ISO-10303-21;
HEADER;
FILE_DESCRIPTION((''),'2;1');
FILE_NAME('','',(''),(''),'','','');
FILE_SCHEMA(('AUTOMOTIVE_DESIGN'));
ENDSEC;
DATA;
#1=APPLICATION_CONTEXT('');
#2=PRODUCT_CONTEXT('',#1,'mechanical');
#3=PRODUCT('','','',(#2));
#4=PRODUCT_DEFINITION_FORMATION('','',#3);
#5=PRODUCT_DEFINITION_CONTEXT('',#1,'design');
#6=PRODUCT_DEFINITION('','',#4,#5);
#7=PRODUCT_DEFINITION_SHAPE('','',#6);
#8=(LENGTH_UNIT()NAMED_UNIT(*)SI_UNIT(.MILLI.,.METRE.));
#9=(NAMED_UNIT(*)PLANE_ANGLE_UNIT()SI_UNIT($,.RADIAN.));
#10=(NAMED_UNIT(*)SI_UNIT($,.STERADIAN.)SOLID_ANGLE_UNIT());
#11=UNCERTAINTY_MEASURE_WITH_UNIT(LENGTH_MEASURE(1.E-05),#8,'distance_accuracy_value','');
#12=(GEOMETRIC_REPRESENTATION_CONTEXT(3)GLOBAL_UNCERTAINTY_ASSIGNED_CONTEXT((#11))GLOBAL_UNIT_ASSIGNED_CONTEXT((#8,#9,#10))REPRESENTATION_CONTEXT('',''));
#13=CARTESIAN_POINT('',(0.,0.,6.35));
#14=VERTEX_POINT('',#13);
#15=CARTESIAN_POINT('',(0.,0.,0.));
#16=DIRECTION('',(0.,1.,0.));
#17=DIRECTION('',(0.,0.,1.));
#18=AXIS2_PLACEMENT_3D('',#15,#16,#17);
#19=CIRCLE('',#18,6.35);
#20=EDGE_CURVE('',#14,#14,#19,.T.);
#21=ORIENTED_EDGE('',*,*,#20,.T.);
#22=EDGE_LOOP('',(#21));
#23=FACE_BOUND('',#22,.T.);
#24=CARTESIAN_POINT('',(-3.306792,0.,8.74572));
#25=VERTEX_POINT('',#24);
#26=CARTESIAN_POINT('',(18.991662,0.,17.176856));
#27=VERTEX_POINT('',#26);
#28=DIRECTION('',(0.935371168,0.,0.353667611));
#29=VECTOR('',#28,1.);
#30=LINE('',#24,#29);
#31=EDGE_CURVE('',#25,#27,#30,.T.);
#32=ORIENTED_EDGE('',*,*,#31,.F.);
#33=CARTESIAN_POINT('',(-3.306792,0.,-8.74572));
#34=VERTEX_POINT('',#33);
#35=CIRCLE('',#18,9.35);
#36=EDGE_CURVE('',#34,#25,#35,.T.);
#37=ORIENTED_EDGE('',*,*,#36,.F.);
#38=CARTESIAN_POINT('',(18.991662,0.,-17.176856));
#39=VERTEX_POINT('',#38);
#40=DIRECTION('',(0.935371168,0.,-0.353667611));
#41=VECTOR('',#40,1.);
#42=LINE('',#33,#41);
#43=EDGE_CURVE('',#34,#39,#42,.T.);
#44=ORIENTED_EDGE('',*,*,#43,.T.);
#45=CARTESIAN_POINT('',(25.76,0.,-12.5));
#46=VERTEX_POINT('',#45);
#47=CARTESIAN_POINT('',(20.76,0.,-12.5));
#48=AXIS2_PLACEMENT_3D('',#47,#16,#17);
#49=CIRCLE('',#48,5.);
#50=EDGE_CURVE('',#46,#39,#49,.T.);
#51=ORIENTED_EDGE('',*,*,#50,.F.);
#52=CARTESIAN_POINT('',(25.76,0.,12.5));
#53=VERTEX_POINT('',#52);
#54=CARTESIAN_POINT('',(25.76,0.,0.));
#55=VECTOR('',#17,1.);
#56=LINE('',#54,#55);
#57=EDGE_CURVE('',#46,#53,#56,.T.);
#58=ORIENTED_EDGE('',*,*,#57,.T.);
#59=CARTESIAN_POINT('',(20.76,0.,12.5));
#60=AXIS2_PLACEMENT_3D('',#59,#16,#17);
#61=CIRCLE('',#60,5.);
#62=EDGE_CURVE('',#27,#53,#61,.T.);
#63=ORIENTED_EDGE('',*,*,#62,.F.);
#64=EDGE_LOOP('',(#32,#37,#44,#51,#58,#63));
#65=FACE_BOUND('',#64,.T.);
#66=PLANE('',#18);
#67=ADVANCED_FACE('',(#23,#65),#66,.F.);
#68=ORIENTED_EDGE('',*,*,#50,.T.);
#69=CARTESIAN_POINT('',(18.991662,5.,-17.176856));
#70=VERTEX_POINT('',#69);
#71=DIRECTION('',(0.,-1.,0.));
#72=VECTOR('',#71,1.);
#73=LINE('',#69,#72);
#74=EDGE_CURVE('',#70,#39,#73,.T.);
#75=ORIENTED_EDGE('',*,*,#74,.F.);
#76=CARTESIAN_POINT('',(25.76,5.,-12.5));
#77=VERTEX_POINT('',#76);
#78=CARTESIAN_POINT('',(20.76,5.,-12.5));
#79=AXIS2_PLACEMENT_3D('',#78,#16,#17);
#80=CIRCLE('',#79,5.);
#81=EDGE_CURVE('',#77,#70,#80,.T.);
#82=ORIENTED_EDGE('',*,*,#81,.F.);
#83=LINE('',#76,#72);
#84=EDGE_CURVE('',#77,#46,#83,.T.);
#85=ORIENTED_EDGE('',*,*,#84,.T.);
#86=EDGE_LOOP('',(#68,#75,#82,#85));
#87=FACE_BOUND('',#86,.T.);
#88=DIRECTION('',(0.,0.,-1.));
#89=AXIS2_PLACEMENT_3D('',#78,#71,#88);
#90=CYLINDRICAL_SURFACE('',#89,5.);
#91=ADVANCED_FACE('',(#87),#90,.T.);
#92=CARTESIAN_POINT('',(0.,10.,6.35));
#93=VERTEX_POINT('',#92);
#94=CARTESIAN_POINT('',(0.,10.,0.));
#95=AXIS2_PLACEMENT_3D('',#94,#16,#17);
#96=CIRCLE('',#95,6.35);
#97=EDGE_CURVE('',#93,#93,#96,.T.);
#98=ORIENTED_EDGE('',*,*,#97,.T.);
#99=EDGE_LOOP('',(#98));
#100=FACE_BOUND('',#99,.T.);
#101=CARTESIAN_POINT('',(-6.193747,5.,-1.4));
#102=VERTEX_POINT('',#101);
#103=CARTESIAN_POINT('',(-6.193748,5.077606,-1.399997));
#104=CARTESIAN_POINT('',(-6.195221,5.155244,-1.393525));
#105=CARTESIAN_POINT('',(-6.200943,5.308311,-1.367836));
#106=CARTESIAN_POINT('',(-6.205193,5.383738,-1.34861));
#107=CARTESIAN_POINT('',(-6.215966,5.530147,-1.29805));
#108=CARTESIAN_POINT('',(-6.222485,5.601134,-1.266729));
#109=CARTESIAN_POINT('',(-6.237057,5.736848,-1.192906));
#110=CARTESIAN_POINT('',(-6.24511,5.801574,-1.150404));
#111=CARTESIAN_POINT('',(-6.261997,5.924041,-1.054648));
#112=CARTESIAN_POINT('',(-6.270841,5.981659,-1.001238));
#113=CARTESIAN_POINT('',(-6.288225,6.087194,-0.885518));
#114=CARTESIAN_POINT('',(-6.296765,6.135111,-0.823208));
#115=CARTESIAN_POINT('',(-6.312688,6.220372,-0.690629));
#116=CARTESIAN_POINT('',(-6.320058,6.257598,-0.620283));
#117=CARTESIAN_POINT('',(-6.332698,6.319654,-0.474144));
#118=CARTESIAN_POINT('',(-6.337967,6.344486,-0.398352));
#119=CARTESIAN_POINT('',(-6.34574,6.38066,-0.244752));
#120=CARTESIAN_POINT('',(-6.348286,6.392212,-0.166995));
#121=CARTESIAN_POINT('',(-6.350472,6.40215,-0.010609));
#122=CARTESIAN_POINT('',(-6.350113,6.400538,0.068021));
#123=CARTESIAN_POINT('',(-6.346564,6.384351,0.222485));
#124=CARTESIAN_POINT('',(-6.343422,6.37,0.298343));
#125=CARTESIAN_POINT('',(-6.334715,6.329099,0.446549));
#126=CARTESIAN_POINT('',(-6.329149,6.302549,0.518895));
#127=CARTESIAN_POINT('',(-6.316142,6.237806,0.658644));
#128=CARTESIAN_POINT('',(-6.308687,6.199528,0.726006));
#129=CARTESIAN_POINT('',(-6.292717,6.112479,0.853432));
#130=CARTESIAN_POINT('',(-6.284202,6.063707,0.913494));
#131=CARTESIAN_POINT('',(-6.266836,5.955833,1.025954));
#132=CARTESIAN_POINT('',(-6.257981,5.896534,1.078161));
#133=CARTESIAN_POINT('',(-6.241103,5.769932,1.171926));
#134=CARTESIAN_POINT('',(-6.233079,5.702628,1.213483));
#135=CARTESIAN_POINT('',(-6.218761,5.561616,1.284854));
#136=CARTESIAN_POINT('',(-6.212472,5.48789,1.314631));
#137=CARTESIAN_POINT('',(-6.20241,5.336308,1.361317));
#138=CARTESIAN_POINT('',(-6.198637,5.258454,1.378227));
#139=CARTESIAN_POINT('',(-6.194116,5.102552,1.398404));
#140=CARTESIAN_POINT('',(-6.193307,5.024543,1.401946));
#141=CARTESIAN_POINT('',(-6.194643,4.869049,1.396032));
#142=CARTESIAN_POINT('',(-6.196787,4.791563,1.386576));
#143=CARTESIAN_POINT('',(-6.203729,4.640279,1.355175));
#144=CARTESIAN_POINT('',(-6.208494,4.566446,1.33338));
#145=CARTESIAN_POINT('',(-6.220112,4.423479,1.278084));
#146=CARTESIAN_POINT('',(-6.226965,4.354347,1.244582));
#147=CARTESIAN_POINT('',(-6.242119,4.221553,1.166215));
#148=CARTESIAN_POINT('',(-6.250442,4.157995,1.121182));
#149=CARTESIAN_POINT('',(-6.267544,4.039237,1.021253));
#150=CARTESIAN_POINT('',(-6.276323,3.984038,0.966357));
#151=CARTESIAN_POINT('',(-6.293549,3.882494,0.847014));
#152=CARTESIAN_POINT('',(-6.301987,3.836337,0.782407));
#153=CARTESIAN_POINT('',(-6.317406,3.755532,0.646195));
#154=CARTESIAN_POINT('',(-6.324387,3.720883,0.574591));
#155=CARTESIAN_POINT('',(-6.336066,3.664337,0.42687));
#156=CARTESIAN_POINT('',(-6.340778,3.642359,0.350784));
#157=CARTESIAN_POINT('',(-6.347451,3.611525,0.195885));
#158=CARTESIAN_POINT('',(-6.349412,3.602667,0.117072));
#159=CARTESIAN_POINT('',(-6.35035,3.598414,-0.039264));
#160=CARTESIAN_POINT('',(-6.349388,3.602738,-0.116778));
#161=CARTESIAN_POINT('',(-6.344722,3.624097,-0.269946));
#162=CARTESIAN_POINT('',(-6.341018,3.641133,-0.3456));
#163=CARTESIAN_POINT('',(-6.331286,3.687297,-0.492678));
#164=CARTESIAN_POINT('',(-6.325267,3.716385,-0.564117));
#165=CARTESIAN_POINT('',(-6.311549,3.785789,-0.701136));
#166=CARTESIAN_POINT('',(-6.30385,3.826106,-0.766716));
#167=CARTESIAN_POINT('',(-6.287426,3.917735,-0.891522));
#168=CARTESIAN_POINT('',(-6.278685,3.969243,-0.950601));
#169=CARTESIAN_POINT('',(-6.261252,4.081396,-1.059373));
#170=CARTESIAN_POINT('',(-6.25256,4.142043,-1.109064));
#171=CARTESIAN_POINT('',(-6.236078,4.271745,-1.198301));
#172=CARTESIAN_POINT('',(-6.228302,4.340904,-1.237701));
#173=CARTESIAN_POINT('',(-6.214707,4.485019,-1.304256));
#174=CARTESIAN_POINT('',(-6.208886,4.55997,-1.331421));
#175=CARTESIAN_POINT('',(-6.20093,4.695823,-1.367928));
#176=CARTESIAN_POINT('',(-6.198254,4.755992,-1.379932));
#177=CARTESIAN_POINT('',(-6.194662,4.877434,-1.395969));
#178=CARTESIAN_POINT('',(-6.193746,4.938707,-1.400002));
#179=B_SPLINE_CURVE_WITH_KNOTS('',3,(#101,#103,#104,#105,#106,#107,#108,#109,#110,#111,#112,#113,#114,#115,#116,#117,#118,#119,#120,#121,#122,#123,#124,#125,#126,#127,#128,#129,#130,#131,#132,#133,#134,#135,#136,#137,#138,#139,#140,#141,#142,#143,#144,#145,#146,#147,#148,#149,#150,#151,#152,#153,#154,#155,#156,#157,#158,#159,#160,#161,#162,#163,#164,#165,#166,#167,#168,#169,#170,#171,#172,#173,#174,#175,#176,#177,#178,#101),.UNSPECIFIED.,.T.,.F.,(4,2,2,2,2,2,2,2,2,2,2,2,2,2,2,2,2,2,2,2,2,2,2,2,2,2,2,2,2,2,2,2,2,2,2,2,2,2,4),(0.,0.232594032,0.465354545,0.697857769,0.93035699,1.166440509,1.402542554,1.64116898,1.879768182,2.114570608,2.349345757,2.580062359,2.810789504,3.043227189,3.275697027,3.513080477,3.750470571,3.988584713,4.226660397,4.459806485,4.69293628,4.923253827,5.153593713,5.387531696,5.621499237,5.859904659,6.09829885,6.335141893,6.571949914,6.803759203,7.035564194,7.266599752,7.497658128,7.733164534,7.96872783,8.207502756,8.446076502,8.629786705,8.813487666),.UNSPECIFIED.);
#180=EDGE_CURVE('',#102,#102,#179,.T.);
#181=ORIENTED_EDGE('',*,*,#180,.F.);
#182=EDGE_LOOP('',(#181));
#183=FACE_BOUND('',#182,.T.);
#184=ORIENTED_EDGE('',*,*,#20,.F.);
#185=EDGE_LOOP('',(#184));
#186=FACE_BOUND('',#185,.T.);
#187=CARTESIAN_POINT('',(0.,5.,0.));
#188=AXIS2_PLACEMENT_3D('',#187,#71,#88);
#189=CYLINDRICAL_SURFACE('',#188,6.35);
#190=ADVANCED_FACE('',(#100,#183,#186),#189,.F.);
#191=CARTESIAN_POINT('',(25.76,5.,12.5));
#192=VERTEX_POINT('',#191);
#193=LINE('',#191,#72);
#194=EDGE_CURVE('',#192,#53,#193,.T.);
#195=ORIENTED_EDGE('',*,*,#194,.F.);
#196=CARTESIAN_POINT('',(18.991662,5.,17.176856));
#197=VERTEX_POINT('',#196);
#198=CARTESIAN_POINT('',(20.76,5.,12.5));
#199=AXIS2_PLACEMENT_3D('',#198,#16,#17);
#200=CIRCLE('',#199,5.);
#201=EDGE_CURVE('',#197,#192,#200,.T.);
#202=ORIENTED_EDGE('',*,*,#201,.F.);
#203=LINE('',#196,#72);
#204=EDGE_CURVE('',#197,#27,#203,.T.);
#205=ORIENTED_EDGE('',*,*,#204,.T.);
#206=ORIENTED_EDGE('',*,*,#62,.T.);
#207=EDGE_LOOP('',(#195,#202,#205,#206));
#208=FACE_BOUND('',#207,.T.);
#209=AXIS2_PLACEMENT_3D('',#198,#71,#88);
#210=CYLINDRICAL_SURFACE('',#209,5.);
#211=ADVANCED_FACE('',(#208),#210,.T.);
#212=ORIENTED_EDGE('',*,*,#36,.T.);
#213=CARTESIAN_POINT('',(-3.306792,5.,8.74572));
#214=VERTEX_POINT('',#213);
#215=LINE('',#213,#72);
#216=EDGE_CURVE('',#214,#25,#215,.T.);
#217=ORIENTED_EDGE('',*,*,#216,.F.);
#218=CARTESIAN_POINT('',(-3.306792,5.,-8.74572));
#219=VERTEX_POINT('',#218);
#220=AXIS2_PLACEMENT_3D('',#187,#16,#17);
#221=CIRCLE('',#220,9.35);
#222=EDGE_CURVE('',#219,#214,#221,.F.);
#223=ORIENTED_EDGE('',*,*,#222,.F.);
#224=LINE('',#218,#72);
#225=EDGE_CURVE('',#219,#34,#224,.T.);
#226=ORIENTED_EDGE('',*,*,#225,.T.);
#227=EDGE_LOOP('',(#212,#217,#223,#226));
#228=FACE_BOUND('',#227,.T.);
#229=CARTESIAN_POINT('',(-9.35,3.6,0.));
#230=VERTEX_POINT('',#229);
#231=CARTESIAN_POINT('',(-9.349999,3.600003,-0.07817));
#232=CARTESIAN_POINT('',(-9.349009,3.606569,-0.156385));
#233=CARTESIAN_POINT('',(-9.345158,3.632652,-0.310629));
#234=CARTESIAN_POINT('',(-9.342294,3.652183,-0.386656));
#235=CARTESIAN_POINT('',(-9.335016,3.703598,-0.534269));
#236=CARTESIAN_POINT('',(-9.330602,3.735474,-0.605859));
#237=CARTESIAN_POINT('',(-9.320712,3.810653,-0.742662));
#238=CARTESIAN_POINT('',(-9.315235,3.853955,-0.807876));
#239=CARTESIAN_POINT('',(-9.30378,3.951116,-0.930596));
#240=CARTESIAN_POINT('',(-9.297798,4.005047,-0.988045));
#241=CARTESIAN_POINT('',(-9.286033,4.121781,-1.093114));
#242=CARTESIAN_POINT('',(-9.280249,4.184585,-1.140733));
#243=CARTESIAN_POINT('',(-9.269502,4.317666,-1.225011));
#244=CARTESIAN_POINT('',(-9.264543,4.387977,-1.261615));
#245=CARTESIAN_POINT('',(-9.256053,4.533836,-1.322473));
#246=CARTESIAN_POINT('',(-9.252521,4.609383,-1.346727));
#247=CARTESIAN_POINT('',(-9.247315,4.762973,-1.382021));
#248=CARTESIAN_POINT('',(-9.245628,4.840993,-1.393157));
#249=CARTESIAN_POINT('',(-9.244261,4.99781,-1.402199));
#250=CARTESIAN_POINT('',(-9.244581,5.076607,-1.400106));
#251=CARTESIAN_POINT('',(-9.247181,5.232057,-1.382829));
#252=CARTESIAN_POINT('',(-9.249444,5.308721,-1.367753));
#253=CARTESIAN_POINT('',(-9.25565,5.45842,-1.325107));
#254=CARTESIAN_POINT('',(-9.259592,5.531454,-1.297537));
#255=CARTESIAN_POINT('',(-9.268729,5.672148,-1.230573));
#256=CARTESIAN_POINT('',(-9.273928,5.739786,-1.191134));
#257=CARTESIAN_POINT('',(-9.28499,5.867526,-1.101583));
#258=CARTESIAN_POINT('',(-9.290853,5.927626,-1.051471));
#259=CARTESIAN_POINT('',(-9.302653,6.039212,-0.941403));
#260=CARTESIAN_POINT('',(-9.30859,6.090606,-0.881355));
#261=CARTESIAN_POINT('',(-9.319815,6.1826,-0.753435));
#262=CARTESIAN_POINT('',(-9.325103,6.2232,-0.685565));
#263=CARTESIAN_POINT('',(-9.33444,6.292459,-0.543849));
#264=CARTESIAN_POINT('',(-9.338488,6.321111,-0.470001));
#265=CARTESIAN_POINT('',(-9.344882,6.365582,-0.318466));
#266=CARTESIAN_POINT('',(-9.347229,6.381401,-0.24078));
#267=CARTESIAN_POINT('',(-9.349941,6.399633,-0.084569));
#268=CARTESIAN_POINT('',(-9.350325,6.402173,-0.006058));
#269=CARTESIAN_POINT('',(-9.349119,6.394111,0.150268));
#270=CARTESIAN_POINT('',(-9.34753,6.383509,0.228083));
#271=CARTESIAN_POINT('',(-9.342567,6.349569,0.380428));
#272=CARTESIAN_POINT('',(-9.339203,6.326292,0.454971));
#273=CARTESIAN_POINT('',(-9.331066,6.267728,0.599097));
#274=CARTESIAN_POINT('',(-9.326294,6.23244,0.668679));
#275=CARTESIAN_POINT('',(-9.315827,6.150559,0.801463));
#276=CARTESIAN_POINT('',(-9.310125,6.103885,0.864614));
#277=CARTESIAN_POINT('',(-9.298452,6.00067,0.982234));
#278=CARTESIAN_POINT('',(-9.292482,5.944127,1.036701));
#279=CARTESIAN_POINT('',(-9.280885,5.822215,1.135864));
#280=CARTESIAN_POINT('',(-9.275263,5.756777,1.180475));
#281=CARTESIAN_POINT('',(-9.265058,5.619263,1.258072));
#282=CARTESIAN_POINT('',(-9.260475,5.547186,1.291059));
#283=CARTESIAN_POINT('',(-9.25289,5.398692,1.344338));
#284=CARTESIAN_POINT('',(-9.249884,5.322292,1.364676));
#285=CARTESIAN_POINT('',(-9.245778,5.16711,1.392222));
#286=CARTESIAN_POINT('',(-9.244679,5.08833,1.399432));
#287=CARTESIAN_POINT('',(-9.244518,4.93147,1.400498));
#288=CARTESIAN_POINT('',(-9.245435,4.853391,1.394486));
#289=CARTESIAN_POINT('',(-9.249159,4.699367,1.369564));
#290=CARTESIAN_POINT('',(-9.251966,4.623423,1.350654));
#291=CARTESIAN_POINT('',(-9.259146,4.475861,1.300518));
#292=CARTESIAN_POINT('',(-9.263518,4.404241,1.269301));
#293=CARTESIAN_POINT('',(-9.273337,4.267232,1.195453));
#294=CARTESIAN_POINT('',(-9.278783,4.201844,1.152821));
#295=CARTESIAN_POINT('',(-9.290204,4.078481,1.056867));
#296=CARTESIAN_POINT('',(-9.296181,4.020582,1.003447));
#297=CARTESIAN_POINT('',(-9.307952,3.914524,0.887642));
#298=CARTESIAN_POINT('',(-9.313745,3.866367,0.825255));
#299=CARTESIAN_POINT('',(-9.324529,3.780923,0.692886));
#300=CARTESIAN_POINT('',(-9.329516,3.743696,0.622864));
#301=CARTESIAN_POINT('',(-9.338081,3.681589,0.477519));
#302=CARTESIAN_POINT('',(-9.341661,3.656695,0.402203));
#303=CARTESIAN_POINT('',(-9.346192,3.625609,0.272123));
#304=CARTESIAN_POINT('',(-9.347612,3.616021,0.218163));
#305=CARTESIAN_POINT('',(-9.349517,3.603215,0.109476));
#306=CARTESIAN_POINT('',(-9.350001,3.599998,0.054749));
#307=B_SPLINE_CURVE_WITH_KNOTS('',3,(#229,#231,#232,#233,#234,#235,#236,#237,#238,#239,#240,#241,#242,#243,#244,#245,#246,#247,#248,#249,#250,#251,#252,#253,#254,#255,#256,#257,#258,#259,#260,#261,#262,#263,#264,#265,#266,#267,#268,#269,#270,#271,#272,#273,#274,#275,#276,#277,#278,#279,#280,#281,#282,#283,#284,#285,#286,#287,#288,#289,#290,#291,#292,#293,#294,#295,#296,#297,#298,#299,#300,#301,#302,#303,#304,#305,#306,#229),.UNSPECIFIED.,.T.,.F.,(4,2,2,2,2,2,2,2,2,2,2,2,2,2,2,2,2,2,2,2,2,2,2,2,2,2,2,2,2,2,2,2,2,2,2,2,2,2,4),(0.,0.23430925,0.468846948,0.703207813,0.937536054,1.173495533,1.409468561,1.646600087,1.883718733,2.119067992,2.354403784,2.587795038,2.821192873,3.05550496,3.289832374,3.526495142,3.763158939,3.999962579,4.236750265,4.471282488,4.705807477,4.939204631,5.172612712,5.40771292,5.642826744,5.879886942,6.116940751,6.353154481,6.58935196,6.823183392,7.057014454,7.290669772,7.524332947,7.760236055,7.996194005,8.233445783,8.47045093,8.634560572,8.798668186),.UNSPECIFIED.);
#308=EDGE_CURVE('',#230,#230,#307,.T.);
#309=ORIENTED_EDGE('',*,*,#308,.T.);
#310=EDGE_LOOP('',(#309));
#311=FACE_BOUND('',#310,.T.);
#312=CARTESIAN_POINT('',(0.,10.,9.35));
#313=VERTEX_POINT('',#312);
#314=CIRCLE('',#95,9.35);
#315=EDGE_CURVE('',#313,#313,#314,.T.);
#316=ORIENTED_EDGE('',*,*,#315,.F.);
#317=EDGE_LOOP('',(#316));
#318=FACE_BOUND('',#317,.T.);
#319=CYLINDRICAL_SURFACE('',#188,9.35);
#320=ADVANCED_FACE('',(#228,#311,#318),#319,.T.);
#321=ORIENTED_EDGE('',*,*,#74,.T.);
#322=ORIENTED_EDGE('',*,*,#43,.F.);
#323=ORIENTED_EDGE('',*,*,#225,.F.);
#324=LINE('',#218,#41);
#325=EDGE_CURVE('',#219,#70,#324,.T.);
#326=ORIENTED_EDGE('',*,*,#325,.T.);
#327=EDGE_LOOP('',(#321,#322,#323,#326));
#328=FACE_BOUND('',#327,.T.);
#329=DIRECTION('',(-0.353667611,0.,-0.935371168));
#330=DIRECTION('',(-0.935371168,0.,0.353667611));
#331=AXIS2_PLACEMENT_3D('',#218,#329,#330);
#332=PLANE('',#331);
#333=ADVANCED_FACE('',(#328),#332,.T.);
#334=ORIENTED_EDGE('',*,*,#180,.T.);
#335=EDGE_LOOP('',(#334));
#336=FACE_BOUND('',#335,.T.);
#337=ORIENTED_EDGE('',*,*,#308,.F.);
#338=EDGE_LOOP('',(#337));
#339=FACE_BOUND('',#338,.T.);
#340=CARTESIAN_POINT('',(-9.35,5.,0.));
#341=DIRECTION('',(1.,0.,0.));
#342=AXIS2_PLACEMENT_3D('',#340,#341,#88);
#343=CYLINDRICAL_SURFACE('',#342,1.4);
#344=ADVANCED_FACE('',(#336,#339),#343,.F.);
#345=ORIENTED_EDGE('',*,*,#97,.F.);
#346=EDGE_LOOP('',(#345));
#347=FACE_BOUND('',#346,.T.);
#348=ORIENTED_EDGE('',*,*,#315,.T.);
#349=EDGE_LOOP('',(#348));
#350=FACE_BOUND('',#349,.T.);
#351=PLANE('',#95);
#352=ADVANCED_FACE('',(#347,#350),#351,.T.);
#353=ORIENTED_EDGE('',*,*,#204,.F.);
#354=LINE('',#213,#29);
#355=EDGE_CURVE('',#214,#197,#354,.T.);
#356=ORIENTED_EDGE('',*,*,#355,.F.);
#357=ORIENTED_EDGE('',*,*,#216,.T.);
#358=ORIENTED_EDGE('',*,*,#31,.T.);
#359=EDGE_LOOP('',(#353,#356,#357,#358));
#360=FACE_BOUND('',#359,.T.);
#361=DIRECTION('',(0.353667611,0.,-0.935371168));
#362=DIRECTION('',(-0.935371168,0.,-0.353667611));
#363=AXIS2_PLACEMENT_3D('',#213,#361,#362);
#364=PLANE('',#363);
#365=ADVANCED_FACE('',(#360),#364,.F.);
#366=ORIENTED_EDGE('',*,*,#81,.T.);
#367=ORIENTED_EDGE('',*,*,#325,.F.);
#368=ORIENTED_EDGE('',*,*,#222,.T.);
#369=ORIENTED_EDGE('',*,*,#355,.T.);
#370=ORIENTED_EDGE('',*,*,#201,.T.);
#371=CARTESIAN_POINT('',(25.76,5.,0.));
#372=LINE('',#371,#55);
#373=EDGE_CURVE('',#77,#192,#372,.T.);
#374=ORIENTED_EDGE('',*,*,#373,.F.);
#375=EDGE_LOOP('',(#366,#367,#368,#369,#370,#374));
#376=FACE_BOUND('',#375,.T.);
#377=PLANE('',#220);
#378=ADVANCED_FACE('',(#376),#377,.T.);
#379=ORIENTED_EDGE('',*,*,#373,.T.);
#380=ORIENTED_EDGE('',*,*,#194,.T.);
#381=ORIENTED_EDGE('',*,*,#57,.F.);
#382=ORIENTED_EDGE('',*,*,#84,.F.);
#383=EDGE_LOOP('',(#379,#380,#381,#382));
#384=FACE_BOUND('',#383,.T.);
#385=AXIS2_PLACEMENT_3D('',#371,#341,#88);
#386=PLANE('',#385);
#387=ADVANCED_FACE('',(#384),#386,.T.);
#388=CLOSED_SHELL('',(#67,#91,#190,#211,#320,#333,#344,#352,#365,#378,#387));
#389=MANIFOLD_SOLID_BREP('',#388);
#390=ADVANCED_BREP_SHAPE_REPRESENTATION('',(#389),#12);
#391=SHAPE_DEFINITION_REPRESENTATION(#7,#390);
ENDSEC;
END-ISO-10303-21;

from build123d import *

# Parameters (mm, degrees)
SKETCH1_R           = 6.35
BOSS_EXTRUDE1_DEPTH = 5
SKETCH1_3_R         = 6.35
BOSS_EXTRUDE2_DEPTH = 10
SKETCH2_R           = 1.4
CUT_EXTRUDE1_DEPTH  = 33.708219151


with BuildPart() as part:
    # Sketch1 → Boss-Extrude1 (new body)
    with BuildSketch(Plane(origin=(0, 0, 0), x_dir=(1, 0, 0), z_dir=(0, 1, 0))):
        with BuildLine():
            Line((18.991661947, 17.176855838), (-3.306792159, 8.745720417))
            ThreePointArc((-3.306792159, 8.745720417), (-9.35, 0), (-3.306792159, -8.745720417))
            Line((-3.306792159, -8.745720417), (18.991661947, -17.176855838))
            ThreePointArc((18.991661947, -17.176855838), (23.602385419, -16.613495488), (25.76, -12.5))
            Line((25.76, -12.5), (25.76, 12.5))
            ThreePointArc((25.76, 12.5), (23.602385419, 16.613495488), (18.991661947, 17.176855838))
        make_face()
        Circle(SKETCH1_R, mode=Mode.SUBTRACT)
    extrude(amount=BOSS_EXTRUDE1_DEPTH)

    # Sketch1<3> → Boss-Extrude2 (add)
    with BuildSketch(Plane(origin=(0, 0, 0), x_dir=(1, 0, 0), z_dir=(0, 1, 0))):
        with BuildLine():
            ThreePointArc((9.35, 0), (5.315260733, 7.692236563), (-3.306792159, 8.745720417))
            ThreePointArc((-3.306792159, 8.745720417), (-9.35, 0), (-3.306792159, -8.745720417))
            ThreePointArc((-3.306792159, -8.745720417), (5.315260733, -7.692236563), (9.35, 0))
        make_face()
        Circle(SKETCH1_3_R, mode=Mode.SUBTRACT)
    extrude(amount=BOSS_EXTRUDE2_DEPTH)

    # Sketch2 → Cut-Extrude1 (cut, through all)
    with BuildSketch(Plane(origin=(0, 0, 0), x_dir=(0, 0, -1), z_dir=(1, 0, 0))):
        with Locations((0, 5)):
            Circle(SKETCH2_R)
    extrude(amount=-CUT_EXTRUDE1_DEPTH, mode=Mode.SUBTRACT)


solid = part.part
